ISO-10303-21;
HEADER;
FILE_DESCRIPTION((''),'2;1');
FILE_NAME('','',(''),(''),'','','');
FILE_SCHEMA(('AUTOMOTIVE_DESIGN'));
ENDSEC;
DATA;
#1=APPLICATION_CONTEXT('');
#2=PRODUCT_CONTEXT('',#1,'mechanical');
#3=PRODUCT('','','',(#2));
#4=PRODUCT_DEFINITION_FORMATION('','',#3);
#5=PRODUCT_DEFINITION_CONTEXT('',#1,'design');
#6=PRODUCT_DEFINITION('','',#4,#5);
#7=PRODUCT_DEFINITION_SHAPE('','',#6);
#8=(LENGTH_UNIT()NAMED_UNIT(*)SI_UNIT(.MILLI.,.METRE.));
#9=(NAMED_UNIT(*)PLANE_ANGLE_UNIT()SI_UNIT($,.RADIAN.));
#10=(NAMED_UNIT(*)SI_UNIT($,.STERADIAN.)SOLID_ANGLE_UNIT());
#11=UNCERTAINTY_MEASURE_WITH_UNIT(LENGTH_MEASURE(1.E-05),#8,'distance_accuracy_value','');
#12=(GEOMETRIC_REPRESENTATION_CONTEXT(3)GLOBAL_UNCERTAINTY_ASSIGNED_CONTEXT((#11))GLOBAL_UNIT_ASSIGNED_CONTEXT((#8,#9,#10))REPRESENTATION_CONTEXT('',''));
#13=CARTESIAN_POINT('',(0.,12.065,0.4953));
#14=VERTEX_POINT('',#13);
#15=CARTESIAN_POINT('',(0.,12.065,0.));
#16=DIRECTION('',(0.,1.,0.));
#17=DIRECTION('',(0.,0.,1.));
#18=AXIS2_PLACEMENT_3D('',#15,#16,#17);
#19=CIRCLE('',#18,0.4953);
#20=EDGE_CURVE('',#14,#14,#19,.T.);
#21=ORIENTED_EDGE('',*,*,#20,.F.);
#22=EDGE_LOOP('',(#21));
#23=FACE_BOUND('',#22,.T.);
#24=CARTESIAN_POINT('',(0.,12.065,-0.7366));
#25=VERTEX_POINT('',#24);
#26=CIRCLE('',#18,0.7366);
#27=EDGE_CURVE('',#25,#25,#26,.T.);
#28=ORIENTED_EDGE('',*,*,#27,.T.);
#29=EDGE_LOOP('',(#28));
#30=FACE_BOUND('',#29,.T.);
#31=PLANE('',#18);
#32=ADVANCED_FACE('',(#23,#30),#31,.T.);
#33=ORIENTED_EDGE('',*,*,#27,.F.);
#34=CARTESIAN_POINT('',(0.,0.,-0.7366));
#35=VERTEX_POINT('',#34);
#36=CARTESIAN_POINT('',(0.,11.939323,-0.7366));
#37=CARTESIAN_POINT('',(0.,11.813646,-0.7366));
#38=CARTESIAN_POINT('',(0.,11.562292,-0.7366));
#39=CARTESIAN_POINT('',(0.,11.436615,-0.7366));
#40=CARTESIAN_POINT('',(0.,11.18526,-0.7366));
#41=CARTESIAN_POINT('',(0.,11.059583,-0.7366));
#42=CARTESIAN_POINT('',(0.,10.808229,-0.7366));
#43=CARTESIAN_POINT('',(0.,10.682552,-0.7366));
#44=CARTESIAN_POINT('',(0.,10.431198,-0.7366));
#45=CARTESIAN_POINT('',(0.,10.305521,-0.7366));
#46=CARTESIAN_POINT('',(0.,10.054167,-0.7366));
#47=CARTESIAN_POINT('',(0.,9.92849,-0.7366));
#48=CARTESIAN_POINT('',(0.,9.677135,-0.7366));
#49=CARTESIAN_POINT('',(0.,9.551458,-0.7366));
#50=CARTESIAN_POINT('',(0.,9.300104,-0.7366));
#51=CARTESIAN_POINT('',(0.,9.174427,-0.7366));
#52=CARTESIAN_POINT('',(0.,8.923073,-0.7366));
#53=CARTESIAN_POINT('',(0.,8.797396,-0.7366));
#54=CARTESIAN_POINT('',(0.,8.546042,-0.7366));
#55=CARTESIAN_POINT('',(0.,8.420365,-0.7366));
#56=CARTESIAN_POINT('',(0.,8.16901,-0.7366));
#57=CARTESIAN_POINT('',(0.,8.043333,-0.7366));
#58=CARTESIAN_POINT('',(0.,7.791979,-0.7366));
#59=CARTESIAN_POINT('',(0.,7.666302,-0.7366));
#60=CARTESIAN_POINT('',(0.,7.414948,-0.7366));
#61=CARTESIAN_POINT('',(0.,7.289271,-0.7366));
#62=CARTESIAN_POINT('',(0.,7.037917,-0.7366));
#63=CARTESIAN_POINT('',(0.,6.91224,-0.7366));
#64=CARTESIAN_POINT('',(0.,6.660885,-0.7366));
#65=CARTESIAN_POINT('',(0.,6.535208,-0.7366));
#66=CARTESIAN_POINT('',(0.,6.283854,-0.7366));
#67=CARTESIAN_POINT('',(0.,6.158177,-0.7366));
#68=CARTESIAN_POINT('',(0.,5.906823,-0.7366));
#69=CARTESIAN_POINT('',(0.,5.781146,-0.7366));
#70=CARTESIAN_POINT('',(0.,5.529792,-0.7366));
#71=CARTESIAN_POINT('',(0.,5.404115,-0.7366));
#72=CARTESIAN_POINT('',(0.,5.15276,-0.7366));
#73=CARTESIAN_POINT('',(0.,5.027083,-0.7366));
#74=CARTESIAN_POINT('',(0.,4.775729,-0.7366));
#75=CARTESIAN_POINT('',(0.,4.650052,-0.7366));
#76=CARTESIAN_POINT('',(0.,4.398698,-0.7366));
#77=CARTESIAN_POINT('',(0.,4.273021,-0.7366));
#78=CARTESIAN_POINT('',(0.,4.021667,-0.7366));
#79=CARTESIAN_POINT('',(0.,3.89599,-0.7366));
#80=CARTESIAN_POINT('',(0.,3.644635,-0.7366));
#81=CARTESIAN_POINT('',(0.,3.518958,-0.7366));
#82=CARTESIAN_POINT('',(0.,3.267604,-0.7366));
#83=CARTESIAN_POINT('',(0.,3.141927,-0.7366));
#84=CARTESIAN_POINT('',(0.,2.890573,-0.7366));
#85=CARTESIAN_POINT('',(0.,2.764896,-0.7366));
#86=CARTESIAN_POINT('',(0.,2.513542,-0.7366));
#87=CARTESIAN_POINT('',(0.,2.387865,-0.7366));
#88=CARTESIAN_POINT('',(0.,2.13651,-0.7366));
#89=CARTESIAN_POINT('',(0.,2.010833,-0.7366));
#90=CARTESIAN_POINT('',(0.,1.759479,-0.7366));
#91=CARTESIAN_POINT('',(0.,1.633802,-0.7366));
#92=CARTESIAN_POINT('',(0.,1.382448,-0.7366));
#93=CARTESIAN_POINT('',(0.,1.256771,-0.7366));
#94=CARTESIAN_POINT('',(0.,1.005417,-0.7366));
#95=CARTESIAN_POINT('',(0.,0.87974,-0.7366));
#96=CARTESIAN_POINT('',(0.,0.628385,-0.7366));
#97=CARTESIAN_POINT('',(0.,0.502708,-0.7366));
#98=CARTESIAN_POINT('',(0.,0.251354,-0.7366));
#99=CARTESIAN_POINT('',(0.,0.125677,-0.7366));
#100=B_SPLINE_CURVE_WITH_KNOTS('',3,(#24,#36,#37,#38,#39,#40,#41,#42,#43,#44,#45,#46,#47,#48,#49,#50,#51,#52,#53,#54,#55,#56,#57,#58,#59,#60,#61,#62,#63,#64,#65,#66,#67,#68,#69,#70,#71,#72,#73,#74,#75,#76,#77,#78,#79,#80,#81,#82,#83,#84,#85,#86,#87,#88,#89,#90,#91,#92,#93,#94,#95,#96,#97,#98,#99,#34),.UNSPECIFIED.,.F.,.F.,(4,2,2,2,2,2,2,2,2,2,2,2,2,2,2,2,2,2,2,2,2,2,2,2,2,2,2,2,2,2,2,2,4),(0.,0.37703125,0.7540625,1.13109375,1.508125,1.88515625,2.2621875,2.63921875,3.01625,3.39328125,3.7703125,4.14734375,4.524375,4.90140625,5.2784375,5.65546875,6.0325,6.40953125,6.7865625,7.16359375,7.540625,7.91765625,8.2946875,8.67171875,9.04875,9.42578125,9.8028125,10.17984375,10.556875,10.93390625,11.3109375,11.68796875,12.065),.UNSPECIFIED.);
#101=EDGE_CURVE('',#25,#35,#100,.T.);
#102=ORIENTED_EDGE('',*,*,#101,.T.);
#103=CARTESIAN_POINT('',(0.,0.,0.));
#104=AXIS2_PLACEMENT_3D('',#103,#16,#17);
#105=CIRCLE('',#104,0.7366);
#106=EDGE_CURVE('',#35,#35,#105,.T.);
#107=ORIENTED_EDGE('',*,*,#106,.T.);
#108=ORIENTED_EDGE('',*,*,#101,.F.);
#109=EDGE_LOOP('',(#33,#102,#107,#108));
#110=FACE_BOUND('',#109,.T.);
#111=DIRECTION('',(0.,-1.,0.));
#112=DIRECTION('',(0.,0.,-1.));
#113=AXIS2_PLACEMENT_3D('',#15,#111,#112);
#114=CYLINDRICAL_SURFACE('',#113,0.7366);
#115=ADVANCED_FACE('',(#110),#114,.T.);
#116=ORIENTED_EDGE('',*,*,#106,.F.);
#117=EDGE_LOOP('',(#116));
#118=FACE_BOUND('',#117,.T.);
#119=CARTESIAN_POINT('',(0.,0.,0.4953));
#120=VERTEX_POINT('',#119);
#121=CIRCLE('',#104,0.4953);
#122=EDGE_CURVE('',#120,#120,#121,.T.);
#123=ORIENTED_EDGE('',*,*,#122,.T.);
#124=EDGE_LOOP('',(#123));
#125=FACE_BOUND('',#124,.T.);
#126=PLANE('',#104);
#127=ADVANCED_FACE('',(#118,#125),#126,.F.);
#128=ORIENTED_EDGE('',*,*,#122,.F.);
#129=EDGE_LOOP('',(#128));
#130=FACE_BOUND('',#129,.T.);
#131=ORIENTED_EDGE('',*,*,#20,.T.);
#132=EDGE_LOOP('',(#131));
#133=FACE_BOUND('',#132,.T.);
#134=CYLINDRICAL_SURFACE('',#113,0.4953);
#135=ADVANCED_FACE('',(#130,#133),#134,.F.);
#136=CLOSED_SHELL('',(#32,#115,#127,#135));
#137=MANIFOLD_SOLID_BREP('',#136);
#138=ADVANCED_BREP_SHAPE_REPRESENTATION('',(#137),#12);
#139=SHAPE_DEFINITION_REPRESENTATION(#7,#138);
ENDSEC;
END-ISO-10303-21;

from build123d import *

# Parameters (mm, degrees)
SKETCH1_R    = 0.7366
SKETCH1_R_2  = 0.4953
NEEDLE_DEPTH = 12.065


with BuildPart() as part:
    # Sketch1 → Needle (new body)
    with BuildSketch(Plane(origin=(0, 0, 0), x_dir=(1, 0, 0), z_dir=(0, 1, 0))):
        Circle(SKETCH1_R)
        Circle(SKETCH1_R_2, mode=Mode.SUBTRACT)
    extrude(amount=NEEDLE_DEPTH)


solid = part.part
